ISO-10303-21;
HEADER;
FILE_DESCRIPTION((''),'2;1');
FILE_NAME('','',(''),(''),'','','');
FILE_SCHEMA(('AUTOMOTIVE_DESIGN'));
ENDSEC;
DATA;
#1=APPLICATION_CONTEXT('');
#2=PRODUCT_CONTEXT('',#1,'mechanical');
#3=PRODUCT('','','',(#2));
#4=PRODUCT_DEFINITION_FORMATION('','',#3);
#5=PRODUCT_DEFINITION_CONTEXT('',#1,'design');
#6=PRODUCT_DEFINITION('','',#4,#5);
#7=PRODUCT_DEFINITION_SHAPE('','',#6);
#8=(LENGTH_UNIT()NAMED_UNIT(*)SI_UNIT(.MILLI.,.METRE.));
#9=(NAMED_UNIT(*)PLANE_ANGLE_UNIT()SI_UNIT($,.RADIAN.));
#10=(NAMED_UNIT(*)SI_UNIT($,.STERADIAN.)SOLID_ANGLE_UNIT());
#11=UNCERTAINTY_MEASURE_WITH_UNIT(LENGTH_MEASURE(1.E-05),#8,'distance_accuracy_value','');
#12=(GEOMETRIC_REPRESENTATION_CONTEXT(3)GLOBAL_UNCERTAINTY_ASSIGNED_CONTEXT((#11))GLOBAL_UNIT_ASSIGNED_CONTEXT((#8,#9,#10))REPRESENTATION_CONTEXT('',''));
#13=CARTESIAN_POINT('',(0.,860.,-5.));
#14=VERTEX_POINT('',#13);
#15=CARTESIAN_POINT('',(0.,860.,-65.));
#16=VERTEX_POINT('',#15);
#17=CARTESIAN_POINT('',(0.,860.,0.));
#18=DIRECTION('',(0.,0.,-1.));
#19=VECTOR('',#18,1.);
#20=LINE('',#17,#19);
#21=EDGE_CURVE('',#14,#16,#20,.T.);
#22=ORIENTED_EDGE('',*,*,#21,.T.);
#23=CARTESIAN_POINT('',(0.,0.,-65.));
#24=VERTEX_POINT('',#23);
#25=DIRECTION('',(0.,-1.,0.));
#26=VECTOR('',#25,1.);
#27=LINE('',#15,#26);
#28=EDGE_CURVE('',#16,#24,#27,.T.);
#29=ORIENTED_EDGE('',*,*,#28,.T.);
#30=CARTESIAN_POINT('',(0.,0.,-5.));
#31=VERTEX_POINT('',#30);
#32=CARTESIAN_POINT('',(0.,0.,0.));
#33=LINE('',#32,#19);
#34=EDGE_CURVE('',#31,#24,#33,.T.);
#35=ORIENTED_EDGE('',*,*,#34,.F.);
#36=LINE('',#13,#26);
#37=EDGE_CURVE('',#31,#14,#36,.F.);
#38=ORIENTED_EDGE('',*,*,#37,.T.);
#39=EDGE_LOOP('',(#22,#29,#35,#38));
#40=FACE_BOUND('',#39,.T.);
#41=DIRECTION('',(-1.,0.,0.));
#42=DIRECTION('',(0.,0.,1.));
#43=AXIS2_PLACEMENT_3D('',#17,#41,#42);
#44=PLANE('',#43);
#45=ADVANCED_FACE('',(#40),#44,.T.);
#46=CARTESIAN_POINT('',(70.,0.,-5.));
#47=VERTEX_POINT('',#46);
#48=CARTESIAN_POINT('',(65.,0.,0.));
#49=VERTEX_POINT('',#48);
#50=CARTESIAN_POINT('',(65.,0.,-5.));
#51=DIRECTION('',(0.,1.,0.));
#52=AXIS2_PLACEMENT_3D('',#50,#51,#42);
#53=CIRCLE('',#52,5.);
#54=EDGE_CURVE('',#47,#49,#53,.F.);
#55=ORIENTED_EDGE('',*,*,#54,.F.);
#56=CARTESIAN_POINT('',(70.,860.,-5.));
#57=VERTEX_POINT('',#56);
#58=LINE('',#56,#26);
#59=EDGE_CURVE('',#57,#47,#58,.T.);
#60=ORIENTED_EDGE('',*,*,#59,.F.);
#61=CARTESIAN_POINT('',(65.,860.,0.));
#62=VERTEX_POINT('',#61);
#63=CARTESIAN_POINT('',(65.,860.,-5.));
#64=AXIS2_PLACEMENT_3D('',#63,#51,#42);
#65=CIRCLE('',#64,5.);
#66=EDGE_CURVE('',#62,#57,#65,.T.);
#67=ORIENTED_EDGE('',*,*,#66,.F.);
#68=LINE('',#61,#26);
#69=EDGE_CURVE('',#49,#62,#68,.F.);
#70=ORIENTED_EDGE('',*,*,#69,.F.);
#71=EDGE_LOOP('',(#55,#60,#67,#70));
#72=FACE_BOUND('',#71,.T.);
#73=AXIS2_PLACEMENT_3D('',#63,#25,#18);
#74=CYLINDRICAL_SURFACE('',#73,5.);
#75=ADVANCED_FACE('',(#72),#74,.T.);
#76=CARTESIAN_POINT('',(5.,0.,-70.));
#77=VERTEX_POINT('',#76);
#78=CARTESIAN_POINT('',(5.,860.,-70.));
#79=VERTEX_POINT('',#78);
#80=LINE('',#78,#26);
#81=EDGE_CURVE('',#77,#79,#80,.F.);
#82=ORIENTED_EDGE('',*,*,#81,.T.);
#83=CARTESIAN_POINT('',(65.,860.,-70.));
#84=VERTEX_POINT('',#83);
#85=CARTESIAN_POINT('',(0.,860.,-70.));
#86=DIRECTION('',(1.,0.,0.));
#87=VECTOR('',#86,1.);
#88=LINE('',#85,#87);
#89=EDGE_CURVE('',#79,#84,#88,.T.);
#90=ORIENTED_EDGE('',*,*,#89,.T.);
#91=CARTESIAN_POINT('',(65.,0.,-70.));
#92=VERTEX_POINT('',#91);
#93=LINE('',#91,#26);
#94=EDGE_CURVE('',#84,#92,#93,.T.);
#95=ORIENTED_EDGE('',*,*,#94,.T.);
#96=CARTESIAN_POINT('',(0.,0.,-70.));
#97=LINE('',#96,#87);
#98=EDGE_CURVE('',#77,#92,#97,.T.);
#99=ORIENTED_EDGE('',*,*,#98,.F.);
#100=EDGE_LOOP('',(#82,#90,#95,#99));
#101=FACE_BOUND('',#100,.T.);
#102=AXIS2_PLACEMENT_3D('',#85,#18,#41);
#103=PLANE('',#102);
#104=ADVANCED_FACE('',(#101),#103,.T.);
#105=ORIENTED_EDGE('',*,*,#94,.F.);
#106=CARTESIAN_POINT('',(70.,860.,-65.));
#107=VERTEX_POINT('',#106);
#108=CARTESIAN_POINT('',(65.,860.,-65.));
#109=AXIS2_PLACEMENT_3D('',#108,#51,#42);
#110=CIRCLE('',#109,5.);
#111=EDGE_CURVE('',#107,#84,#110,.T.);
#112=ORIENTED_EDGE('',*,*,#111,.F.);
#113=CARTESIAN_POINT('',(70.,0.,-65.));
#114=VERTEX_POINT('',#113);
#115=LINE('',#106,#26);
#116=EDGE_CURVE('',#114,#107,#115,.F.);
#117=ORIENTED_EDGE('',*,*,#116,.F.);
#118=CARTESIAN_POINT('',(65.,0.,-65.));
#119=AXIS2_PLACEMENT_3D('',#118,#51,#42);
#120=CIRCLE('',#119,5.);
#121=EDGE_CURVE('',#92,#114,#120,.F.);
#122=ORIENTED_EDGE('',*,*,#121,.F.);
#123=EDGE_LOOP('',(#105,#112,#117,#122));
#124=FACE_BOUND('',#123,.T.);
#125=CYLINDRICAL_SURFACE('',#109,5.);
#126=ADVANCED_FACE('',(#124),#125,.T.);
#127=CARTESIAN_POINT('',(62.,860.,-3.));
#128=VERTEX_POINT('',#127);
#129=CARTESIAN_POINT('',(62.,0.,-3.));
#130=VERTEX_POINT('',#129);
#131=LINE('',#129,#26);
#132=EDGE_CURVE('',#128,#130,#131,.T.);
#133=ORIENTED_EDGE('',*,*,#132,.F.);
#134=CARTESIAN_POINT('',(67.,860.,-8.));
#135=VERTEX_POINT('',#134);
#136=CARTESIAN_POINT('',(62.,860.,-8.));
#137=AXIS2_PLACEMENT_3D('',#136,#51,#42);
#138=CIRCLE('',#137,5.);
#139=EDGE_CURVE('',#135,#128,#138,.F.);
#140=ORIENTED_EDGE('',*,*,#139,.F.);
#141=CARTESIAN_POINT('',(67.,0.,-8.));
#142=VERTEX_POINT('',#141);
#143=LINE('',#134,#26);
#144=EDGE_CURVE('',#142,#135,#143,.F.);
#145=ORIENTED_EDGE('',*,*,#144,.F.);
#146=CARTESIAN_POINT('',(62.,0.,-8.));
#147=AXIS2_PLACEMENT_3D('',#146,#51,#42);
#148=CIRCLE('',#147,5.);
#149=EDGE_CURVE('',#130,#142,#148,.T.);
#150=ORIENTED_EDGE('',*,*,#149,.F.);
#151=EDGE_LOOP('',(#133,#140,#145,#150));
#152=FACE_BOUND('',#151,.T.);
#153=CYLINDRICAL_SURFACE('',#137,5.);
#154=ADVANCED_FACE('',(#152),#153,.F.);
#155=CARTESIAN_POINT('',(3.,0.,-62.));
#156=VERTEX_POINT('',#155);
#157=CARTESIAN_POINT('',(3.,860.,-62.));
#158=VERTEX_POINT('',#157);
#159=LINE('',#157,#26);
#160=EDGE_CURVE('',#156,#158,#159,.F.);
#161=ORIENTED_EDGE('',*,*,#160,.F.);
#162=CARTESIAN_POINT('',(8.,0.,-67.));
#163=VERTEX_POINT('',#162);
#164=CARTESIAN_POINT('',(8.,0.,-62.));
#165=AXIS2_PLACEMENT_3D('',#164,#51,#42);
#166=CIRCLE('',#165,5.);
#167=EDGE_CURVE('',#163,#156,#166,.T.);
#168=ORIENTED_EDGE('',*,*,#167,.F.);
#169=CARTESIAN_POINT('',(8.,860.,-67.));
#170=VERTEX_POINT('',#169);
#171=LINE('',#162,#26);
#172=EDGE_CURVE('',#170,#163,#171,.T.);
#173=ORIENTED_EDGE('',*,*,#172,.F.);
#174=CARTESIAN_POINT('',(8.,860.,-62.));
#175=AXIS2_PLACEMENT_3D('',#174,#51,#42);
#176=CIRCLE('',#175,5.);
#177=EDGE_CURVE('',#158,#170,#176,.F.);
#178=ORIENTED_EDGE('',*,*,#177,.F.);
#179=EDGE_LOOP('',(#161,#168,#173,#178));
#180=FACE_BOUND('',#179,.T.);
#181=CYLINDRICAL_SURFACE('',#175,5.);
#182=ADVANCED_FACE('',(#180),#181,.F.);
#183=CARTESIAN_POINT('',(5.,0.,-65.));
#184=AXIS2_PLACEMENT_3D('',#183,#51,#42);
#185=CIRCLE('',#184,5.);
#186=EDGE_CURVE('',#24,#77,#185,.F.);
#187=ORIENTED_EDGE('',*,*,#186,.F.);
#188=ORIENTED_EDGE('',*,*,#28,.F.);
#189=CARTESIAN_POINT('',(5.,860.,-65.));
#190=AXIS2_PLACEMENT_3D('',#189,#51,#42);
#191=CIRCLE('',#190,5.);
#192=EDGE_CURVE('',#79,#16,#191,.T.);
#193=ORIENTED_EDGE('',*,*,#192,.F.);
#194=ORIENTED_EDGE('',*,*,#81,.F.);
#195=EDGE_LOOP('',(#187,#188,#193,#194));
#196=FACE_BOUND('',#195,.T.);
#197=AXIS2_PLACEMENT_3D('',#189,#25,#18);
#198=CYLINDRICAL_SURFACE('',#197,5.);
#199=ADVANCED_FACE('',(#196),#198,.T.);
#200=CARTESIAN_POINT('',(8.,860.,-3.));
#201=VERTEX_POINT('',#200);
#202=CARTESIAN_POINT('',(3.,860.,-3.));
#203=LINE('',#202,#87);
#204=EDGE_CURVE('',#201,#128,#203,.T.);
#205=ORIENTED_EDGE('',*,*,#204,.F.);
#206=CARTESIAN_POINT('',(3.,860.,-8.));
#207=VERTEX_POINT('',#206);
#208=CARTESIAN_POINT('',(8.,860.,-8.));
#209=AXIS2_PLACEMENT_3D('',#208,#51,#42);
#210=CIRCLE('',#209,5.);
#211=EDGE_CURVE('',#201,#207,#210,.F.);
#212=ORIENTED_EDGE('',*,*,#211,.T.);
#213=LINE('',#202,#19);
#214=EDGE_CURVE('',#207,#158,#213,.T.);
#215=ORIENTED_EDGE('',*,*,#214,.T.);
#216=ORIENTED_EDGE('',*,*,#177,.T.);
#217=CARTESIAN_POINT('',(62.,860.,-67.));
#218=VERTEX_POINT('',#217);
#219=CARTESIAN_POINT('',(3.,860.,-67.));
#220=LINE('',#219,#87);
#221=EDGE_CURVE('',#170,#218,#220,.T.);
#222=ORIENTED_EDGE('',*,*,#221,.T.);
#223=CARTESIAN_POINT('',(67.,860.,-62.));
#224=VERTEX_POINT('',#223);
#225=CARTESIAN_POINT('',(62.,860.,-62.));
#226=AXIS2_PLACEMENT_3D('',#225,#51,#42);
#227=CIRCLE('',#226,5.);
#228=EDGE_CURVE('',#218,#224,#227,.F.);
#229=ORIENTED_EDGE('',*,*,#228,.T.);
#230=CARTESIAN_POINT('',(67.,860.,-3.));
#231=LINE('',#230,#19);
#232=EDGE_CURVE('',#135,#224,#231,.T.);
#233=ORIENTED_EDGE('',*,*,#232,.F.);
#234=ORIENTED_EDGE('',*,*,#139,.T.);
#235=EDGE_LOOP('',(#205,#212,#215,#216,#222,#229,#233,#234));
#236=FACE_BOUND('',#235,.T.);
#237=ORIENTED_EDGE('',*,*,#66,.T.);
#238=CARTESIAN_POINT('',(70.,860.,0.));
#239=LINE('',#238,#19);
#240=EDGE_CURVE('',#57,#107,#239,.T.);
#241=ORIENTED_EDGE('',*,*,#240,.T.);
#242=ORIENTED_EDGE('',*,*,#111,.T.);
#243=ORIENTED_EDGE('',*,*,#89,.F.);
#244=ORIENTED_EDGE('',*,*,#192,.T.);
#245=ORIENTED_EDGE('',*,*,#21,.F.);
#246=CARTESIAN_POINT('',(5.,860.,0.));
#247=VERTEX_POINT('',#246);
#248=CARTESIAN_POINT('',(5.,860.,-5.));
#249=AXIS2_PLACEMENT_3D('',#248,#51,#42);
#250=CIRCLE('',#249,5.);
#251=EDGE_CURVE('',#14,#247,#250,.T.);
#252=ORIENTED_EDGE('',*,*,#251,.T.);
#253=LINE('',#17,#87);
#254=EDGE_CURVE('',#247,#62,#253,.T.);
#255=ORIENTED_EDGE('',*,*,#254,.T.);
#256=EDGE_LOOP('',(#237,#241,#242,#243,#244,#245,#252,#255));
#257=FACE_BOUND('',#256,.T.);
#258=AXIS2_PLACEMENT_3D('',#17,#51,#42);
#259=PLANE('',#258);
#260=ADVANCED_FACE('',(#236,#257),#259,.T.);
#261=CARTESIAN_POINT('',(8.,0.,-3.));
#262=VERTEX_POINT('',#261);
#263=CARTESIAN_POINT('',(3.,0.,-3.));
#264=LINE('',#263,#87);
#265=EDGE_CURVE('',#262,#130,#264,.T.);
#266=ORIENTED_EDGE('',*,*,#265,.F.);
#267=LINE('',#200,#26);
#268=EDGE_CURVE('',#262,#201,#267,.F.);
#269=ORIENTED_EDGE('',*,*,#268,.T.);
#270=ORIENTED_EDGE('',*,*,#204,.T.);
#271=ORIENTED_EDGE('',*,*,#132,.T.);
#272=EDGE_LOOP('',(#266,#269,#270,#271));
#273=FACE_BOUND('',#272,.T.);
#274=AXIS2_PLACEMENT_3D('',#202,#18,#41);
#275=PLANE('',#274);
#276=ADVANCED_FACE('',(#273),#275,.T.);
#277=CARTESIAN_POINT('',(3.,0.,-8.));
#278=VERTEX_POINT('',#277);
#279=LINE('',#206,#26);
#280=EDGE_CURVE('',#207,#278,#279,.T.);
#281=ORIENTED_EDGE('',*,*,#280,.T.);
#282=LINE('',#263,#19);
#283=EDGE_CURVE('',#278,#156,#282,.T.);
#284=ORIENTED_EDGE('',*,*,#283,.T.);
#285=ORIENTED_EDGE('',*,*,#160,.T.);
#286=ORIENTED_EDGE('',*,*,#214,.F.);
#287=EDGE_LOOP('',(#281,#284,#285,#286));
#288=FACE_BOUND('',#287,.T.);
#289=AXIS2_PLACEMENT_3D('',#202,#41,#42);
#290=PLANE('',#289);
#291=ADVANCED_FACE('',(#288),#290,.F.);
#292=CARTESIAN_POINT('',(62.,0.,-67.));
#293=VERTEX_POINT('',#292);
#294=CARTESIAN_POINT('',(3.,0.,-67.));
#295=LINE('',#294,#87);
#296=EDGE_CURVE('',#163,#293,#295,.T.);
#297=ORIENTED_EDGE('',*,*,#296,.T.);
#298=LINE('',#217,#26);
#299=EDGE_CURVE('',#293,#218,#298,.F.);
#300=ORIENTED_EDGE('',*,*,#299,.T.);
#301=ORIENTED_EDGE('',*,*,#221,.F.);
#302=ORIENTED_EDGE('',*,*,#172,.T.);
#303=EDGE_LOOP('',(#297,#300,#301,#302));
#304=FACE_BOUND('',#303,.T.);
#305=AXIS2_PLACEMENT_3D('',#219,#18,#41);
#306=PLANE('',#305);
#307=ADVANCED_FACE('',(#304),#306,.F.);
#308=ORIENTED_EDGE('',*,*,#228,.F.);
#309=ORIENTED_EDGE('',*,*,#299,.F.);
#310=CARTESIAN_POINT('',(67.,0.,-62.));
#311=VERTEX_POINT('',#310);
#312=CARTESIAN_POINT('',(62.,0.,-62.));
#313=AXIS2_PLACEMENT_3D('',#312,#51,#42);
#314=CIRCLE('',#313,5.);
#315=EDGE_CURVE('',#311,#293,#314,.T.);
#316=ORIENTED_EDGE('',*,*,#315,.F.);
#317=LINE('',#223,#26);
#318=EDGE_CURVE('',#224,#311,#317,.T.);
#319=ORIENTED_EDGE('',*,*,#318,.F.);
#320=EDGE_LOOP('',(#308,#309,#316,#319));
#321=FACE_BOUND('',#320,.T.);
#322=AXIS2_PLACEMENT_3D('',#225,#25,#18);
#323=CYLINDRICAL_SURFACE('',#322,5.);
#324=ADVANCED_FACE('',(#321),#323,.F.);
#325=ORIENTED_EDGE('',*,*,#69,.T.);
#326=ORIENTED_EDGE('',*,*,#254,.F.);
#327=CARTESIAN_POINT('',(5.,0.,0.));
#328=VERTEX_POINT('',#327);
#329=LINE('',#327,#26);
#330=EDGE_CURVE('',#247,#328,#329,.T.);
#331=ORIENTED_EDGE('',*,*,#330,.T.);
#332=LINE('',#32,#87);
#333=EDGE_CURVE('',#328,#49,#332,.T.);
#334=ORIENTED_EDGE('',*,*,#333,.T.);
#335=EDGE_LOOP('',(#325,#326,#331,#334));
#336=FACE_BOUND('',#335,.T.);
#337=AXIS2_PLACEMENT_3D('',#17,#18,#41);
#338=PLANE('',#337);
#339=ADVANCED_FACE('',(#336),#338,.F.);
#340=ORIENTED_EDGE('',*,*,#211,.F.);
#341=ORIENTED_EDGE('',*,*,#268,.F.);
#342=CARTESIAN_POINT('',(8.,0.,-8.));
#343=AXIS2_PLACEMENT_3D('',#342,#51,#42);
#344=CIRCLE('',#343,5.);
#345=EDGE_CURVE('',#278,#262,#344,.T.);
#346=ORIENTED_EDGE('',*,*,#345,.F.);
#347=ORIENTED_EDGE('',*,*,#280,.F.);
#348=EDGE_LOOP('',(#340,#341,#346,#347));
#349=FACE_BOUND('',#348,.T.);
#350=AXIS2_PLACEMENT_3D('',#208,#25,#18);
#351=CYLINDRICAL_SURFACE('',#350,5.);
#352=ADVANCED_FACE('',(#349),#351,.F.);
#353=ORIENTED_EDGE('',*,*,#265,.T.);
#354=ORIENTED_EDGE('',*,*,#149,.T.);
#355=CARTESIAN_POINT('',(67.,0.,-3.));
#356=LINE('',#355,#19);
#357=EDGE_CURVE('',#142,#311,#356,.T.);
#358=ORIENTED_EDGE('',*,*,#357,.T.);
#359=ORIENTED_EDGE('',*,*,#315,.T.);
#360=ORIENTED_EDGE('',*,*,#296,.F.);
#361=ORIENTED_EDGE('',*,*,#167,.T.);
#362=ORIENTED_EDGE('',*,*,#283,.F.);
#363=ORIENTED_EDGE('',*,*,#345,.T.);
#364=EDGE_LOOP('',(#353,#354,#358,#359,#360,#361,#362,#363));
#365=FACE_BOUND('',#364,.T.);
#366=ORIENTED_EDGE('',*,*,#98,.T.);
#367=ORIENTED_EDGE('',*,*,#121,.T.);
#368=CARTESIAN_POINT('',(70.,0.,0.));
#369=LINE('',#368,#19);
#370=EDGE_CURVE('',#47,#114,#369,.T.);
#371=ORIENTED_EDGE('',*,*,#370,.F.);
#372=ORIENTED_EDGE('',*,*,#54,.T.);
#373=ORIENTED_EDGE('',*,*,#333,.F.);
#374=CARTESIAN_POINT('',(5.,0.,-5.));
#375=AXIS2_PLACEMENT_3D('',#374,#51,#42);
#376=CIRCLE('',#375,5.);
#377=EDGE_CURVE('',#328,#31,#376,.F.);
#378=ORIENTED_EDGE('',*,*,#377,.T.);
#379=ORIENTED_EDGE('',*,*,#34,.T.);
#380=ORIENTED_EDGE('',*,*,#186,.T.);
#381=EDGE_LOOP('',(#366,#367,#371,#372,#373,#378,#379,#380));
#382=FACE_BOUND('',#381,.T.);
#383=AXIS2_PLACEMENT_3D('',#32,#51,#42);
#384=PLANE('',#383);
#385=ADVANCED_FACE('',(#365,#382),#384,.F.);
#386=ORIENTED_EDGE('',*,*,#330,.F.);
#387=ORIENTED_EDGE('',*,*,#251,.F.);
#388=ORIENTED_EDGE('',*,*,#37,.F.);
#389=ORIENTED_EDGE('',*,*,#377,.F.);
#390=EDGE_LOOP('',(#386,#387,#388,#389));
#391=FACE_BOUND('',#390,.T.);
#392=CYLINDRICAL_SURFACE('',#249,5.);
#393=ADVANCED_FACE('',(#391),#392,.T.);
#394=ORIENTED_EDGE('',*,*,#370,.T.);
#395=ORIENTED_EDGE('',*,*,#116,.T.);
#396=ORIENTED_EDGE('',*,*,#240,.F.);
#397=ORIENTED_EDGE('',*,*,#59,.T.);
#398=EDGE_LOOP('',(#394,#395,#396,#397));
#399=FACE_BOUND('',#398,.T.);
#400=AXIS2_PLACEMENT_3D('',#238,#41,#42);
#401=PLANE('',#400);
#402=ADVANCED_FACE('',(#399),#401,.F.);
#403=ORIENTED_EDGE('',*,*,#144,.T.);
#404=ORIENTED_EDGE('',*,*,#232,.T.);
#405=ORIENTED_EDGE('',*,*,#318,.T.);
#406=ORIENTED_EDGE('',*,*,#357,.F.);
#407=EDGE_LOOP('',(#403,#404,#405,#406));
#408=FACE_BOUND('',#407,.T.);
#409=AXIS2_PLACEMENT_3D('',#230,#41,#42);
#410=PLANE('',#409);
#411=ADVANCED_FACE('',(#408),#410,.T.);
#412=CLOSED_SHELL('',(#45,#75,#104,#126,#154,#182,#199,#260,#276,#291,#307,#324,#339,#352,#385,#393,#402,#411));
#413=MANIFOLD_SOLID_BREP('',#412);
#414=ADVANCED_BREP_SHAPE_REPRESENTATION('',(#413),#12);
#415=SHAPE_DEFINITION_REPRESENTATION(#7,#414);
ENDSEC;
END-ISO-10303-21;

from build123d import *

# Parameters (mm, degrees)
SKETCH1_W           = 70
SKETCH1_H           = 70
SKETCH1_W_2         = 64
SKETCH1_H_2         = 64
BOSS_EXTRUDE1_DEPTH = 860
FILLET1_R           = 5


with BuildPart() as part:
    # Sketch1 → Boss-Extrude1 (new body)
    with BuildSketch(Plane(origin=(0, 0, 0), x_dir=(1, 0, 0), z_dir=(0, 1, 0))):
        with Locations((35, 35)):
            Rectangle(SKETCH1_W, SKETCH1_H)
        with Locations((35, 35)):
            Rectangle(SKETCH1_W_2, SKETCH1_H_2, mode=Mode.SUBTRACT)
    extrude(amount=BOSS_EXTRUDE1_DEPTH)

    # Fillet1
    fillet1_edges = [part.edges().sort_by_distance(p)[0] for p in [
        (3, 430, -67),
        (3, 430, -3),
        (67, 430, -3),
        (67, 430, -67),
        (0, 430, 0),
        (0, 430, -70),
        (70, 430, -70),
        (70, 430, 0),
    ]]
    fillet(fillet1_edges, radius=FILLET1_R)


solid = part.part
